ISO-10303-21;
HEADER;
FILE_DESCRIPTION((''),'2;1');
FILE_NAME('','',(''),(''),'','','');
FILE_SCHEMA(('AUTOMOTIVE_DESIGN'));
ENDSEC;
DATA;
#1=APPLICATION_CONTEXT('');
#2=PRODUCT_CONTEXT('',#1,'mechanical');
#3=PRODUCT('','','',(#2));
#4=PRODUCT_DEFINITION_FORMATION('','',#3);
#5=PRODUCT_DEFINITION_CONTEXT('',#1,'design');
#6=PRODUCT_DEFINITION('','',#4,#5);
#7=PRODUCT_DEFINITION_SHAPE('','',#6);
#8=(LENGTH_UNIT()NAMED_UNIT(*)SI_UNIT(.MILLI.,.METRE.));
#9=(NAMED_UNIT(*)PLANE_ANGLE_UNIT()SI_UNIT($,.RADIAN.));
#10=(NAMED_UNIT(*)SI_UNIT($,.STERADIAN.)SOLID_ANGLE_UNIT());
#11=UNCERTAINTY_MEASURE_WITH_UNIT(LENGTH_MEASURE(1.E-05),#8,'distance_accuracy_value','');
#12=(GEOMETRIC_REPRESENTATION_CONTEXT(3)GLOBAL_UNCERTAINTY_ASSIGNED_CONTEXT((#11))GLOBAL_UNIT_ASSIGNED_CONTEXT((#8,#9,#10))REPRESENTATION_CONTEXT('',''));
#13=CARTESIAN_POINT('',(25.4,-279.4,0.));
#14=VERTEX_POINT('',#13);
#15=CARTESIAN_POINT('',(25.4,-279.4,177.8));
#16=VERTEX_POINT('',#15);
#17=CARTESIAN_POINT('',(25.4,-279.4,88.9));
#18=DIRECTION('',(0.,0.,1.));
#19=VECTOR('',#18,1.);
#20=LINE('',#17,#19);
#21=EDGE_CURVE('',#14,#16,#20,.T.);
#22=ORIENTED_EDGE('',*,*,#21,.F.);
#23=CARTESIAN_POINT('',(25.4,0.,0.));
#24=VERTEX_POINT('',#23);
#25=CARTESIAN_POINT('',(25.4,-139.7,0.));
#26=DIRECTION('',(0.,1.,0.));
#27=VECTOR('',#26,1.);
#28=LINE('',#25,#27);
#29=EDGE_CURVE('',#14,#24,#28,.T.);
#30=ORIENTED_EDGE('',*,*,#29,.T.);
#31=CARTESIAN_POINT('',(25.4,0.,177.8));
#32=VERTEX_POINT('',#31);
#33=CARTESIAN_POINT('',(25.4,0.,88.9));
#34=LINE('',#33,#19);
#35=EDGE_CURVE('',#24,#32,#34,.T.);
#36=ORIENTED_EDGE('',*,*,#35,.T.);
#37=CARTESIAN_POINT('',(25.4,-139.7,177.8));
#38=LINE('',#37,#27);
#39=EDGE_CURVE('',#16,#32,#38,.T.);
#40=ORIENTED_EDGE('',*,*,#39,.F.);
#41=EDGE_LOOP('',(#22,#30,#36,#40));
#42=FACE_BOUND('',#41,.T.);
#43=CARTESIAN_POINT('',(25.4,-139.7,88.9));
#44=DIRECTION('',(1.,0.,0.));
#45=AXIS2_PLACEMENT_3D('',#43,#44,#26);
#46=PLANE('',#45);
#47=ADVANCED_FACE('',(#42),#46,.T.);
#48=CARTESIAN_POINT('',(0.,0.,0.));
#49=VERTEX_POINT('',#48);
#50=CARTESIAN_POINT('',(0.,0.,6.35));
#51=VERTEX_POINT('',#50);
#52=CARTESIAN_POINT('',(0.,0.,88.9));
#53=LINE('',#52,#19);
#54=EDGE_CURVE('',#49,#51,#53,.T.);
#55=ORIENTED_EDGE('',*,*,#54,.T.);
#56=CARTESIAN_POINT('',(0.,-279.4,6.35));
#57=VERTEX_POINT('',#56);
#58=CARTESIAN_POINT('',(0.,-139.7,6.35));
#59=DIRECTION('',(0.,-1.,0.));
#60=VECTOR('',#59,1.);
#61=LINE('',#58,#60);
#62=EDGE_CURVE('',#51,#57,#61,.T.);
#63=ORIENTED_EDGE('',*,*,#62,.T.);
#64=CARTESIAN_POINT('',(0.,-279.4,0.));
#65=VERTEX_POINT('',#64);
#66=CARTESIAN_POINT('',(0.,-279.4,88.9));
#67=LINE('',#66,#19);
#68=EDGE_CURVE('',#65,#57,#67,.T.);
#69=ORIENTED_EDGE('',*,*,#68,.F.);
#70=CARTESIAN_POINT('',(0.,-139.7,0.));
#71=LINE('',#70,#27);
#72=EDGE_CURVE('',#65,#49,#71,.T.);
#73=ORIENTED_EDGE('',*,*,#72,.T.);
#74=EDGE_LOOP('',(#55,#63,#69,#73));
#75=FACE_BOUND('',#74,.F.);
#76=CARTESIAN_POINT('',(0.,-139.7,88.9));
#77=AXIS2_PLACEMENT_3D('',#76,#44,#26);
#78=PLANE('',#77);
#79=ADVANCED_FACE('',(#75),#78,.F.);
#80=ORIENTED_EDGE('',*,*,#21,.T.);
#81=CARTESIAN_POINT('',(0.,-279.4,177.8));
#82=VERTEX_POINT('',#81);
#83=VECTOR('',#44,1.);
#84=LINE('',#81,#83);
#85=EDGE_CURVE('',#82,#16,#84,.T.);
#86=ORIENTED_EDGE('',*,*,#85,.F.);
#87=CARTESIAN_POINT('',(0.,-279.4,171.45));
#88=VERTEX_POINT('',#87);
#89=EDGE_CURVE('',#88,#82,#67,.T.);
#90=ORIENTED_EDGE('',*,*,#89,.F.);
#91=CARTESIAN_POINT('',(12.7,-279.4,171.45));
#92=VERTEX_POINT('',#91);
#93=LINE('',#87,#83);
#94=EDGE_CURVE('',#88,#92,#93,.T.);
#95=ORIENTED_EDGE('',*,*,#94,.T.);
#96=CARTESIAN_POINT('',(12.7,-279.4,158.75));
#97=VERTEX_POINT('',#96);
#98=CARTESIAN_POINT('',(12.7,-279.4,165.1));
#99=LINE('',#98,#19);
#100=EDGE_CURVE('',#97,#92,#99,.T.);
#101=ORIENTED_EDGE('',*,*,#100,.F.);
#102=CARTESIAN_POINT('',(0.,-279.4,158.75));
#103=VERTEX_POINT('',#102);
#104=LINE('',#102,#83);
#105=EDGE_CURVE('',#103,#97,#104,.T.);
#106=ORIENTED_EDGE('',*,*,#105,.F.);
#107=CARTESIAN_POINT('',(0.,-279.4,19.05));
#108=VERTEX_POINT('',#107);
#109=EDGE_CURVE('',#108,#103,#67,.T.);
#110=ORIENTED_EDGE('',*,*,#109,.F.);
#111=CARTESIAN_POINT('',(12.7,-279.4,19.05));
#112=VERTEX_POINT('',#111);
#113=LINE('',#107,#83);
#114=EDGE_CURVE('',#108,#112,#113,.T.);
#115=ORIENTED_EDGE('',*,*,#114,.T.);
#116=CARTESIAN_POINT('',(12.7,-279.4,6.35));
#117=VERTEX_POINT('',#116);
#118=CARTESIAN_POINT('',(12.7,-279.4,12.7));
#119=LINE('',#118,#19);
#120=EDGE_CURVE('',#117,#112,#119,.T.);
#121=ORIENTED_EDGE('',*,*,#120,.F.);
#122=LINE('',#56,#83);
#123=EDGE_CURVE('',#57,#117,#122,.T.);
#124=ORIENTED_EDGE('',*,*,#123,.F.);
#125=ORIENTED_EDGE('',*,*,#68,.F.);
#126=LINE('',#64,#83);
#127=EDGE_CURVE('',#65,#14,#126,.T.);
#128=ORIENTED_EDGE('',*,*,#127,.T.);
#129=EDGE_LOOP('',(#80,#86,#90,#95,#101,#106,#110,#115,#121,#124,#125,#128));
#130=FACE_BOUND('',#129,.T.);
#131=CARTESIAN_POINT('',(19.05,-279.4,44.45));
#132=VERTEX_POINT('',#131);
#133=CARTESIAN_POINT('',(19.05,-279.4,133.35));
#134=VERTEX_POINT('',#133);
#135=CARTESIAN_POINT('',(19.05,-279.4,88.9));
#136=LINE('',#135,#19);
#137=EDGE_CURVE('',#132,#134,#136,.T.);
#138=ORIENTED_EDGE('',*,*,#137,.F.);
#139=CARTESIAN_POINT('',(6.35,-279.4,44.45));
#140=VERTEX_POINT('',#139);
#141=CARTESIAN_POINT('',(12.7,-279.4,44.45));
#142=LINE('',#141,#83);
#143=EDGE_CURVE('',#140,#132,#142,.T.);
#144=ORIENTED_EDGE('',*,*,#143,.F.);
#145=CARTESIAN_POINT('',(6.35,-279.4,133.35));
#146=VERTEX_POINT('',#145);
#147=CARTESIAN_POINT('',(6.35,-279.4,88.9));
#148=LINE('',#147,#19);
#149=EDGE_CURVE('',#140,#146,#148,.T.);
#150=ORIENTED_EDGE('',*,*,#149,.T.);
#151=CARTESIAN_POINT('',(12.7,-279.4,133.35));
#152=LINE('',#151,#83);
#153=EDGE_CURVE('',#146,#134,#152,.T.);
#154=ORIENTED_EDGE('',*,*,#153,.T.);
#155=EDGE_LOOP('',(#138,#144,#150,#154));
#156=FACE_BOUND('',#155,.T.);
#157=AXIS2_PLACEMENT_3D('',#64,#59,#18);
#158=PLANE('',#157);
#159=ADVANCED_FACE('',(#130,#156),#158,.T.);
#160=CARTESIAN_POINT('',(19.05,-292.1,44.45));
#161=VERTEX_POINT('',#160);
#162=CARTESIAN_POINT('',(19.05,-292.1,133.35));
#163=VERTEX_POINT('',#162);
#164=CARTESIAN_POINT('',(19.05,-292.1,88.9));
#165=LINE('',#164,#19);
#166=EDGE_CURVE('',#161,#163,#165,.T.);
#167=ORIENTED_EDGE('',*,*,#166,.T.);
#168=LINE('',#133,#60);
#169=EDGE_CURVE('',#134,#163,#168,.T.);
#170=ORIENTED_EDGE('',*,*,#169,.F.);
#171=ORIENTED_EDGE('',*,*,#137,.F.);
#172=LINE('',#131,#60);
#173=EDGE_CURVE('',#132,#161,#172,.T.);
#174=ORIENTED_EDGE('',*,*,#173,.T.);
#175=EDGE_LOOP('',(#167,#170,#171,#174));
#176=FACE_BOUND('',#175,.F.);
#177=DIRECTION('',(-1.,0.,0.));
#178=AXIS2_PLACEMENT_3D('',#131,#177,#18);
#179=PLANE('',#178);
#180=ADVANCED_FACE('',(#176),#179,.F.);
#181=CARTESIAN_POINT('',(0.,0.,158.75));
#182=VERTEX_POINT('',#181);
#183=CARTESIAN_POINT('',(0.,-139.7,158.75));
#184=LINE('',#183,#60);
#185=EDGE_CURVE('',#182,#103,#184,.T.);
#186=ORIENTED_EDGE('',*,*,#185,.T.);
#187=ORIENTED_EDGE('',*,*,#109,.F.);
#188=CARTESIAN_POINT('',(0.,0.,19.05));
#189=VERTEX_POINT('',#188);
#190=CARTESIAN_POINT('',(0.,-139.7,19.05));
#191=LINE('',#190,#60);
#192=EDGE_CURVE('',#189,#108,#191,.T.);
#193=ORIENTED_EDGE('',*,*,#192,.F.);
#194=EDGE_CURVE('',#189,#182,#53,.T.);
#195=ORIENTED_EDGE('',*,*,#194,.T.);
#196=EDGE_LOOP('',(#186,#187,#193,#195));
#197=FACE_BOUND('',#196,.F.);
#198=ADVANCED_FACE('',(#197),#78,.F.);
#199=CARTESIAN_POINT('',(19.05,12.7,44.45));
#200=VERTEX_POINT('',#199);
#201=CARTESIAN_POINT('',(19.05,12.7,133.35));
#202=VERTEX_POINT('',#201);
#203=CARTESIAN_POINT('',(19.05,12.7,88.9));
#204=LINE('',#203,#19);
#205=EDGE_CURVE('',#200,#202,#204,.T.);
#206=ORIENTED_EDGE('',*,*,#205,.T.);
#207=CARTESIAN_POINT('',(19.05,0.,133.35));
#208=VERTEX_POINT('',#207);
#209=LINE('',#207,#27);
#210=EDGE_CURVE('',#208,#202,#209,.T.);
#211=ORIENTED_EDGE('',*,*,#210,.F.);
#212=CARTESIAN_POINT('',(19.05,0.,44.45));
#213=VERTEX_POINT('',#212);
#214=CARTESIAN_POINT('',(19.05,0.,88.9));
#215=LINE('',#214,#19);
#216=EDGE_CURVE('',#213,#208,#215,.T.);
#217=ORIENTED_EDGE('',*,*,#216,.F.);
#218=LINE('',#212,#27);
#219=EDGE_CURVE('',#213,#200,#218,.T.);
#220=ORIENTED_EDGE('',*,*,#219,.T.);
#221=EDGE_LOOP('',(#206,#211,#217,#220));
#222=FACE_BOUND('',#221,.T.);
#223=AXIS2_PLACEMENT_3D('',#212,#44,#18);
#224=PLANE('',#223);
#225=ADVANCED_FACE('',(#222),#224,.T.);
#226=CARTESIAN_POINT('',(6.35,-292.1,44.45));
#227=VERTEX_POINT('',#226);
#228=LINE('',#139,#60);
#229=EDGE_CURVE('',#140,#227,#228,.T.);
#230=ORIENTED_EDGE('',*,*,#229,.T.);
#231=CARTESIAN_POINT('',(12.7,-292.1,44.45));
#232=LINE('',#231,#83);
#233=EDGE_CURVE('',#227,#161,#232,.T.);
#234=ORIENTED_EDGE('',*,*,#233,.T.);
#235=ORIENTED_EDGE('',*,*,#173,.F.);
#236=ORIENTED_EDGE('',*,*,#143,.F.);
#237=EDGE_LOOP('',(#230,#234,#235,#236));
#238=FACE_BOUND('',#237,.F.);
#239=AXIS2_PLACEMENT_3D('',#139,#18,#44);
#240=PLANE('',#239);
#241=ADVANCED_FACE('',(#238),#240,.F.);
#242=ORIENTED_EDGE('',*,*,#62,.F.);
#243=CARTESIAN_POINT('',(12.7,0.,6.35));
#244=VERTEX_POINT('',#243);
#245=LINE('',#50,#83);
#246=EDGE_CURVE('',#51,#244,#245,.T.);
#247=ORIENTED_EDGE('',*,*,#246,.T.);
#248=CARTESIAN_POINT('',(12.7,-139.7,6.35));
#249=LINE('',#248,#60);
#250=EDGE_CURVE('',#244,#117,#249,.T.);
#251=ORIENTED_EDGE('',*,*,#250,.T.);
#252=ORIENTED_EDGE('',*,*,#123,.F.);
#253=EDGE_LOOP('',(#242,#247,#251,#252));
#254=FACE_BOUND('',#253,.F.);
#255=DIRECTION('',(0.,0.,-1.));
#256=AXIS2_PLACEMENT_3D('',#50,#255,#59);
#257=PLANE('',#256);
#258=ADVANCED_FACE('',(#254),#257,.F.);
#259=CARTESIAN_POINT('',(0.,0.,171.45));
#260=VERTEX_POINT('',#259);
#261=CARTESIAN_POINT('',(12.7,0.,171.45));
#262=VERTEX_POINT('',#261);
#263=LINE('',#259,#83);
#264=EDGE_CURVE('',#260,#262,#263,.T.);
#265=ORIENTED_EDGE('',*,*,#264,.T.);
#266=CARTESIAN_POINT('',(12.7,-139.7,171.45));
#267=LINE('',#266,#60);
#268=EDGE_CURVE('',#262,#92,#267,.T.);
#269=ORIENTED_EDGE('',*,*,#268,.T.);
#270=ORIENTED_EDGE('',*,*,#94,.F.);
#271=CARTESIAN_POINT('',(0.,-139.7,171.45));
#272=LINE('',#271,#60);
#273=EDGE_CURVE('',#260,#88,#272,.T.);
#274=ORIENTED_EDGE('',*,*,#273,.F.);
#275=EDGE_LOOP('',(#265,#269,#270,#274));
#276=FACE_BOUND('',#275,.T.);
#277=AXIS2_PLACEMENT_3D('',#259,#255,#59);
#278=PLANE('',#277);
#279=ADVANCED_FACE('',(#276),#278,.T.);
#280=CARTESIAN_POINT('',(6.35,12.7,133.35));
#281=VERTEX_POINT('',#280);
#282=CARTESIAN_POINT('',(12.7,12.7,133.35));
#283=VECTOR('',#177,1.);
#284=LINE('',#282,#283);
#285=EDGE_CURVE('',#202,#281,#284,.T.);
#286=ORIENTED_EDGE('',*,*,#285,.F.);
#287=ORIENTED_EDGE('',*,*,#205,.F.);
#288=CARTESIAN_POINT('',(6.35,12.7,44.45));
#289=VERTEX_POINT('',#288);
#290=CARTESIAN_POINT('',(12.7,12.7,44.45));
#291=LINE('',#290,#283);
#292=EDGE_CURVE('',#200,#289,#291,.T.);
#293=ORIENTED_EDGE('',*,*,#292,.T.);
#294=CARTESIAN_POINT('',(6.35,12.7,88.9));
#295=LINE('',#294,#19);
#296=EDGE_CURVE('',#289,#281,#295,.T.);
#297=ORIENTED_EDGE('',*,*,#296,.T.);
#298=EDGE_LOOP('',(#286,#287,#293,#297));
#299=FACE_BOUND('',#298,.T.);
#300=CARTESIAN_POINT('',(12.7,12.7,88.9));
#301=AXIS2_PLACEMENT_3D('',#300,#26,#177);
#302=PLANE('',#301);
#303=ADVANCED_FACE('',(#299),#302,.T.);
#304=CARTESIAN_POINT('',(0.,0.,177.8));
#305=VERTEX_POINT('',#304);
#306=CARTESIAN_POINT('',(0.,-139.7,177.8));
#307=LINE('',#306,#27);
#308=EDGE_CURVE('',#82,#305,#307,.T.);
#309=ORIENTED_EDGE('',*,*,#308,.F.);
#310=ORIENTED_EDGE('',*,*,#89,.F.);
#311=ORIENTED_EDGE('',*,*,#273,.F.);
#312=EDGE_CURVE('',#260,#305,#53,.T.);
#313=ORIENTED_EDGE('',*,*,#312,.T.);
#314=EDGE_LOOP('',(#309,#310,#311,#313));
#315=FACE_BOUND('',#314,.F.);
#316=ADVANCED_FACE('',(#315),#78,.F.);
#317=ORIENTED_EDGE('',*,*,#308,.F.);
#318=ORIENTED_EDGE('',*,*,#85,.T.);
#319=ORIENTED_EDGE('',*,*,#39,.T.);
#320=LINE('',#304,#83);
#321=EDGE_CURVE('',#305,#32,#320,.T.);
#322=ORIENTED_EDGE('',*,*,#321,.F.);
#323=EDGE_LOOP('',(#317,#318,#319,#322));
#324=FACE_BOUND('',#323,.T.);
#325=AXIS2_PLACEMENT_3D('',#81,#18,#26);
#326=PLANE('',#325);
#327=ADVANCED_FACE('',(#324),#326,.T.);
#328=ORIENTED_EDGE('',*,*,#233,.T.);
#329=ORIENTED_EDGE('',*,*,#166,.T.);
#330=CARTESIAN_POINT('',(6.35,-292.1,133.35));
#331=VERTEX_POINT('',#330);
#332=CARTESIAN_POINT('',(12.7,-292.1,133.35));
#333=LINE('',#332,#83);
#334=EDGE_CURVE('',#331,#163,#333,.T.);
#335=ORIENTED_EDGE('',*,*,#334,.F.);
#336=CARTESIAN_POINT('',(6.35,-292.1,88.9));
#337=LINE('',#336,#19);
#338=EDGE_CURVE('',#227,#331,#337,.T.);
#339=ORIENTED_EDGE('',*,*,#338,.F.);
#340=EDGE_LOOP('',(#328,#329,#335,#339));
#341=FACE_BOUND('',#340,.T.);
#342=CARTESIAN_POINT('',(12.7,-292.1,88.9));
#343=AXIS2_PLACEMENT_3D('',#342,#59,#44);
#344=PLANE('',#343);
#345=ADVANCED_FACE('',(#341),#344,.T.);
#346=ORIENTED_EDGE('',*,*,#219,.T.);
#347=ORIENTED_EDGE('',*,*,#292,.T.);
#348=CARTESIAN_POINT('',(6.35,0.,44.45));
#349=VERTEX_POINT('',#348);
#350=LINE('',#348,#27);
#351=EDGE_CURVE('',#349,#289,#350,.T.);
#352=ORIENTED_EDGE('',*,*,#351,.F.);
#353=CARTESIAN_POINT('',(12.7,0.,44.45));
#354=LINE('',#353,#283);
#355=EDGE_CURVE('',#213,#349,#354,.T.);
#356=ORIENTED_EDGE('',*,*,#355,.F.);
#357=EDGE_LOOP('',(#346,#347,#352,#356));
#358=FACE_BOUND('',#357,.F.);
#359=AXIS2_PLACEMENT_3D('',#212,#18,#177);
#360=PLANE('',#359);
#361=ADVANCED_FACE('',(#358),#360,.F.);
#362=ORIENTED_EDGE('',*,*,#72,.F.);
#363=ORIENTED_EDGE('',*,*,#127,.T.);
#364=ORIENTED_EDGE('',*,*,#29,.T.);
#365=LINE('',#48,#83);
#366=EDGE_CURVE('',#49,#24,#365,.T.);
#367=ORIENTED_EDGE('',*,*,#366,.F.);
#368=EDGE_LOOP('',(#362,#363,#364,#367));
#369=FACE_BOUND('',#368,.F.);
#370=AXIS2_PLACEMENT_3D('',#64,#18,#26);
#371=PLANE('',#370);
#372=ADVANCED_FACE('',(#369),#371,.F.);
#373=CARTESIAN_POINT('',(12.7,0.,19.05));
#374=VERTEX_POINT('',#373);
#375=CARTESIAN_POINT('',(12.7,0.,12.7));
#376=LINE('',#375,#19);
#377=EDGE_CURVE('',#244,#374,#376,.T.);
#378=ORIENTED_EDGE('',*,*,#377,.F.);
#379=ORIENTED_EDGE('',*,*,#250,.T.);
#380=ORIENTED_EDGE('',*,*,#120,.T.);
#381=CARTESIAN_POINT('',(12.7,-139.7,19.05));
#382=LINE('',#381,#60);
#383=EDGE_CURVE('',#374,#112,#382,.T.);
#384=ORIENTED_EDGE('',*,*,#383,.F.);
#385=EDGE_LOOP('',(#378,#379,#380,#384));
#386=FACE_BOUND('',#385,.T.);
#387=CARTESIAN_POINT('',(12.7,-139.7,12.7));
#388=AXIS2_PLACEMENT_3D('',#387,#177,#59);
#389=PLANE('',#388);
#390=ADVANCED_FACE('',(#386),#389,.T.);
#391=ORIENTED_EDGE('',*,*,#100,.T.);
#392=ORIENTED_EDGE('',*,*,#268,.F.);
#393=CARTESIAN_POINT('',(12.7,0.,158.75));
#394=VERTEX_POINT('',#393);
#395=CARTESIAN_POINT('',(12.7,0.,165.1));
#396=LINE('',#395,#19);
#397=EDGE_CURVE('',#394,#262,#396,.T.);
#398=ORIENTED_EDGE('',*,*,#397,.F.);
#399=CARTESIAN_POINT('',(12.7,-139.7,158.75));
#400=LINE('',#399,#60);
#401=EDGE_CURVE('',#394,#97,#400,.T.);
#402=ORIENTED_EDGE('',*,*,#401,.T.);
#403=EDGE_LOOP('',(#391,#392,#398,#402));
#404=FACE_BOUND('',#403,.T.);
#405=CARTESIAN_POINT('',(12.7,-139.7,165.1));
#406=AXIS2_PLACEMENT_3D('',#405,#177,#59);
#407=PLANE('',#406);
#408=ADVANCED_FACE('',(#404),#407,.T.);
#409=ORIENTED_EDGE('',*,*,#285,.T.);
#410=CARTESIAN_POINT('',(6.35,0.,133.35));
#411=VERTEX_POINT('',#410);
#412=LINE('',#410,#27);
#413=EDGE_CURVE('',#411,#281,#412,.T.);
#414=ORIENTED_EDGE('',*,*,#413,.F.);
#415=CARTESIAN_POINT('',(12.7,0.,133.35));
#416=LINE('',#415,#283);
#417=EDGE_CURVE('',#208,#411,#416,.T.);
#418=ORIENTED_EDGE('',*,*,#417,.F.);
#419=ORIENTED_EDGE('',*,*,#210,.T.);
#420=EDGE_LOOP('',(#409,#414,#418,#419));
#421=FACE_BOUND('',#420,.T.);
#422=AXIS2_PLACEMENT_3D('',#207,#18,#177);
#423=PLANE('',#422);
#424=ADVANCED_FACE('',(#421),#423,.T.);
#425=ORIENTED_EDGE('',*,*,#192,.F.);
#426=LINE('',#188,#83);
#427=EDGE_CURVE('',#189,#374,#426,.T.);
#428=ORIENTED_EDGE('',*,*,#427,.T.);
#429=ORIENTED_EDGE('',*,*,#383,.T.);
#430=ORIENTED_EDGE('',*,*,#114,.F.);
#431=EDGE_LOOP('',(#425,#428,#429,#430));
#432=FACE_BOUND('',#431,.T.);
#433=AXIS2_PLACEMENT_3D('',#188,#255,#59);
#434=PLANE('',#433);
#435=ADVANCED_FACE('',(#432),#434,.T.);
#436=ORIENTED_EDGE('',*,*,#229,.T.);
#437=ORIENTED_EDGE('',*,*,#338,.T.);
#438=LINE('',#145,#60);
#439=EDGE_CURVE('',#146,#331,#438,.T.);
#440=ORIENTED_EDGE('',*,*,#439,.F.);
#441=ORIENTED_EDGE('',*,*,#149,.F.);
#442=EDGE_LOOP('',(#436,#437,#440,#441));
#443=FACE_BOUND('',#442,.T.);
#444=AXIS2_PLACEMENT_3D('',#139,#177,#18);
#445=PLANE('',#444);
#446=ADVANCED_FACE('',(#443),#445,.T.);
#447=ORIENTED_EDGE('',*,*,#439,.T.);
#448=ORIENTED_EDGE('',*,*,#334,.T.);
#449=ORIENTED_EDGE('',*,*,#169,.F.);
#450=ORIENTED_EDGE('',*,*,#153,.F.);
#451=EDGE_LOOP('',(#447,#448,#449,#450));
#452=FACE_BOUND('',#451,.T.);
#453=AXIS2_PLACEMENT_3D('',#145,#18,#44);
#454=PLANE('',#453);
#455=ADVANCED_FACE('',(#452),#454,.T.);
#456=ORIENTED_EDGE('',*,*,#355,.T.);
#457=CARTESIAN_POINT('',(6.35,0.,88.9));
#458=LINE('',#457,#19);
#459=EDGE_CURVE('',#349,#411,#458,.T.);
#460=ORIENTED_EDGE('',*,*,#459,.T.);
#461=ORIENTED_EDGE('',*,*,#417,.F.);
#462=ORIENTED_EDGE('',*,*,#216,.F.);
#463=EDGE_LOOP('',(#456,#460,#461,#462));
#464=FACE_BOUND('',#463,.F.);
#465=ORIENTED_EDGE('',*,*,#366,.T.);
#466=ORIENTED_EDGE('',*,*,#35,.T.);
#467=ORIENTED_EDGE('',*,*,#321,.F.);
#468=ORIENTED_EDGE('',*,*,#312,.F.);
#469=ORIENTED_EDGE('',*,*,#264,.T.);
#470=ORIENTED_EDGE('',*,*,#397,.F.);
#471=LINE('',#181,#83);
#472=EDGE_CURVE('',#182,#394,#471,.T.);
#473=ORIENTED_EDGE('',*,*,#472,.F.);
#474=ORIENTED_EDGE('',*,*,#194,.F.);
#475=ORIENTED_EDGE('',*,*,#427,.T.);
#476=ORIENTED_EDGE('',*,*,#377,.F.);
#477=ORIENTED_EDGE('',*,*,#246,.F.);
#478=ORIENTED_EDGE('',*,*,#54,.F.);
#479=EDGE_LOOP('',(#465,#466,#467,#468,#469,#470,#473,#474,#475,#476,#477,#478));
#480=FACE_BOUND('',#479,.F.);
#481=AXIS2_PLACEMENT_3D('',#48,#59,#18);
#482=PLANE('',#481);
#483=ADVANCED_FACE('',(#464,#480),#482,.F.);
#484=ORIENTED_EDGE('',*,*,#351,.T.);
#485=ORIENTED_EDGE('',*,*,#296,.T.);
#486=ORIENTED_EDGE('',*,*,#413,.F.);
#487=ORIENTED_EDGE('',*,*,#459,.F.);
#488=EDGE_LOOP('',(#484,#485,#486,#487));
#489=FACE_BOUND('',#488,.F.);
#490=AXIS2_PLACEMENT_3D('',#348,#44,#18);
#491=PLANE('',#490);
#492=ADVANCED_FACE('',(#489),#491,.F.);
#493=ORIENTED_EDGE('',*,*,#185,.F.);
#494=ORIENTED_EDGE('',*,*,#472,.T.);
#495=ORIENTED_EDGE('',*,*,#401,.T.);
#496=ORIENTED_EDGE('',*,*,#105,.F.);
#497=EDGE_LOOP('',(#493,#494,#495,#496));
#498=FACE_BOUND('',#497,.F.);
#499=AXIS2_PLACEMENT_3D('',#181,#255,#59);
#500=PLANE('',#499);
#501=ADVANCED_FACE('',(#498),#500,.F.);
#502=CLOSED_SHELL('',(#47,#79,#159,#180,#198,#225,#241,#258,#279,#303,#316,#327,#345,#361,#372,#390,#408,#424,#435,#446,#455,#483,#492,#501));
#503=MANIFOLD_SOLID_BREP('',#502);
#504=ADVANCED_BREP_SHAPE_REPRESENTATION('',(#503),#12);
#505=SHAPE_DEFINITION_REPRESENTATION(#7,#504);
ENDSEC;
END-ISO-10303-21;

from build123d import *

# Parameters (mm, degrees)
F0_W     = 279.4
F0_H     = 177.8
F1_DEPTH = 25.4
F2_W     = 279.4
F2_H     = 12.7
F3_DEPTH = 12.7
F4_W     = 279.4
F4_H     = 12.7
F5_DEPTH = 12.7
F6_W     = 12.7
F6_H     = 88.9
F7_DEPTH = 12.7
F8_W     = 12.7
F8_H     = 88.9
F9_DEPTH = 12.7


with BuildPart() as f1:
    # F0 (on Right) → F1 (new body)
    with BuildSketch(Plane.YZ):
        with Locations((-139.7, 88.9)):
            Rectangle(F0_W, F0_H)
    extrude(amount=F1_DEPTH)

    # F2 (on face) → F3 (cut)
    with BuildSketch(Plane(origin=(0, 0, 0), x_dir=(0, -1, 0), z_dir=(-1, 0, 0))):
        with Locations((139.7, 12.7)):
            Rectangle(F2_W, F2_H)
    extrude(amount=-F3_DEPTH, mode=Mode.SUBTRACT)

    # F4 (on face) → F5 (cut)
    with BuildSketch(Plane(origin=(0, 0, 0), x_dir=(0, -1, 0), z_dir=(-1, 0, 0))):
        with Locations((139.7, 165.1)):
            Rectangle(F4_W, F4_H)
    extrude(amount=-F5_DEPTH, mode=Mode.SUBTRACT)

    # F6 (on face) → F7 (join)
    with BuildSketch(Plane(origin=(0, 0, 0), x_dir=(-1, 0, 0), z_dir=(0, 1, 0))):
        with Locations((-12.7, 88.9)):
            Rectangle(F6_W, F6_H)
    extrude(amount=F7_DEPTH)

    # F8 (on face) → F9 (join)
    with BuildSketch(Plane.XZ.offset(279.4)):
        with Locations((12.7, 88.9)):
            Rectangle(F8_W, F8_H)
    extrude(amount=F9_DEPTH)


solid = f1.part
